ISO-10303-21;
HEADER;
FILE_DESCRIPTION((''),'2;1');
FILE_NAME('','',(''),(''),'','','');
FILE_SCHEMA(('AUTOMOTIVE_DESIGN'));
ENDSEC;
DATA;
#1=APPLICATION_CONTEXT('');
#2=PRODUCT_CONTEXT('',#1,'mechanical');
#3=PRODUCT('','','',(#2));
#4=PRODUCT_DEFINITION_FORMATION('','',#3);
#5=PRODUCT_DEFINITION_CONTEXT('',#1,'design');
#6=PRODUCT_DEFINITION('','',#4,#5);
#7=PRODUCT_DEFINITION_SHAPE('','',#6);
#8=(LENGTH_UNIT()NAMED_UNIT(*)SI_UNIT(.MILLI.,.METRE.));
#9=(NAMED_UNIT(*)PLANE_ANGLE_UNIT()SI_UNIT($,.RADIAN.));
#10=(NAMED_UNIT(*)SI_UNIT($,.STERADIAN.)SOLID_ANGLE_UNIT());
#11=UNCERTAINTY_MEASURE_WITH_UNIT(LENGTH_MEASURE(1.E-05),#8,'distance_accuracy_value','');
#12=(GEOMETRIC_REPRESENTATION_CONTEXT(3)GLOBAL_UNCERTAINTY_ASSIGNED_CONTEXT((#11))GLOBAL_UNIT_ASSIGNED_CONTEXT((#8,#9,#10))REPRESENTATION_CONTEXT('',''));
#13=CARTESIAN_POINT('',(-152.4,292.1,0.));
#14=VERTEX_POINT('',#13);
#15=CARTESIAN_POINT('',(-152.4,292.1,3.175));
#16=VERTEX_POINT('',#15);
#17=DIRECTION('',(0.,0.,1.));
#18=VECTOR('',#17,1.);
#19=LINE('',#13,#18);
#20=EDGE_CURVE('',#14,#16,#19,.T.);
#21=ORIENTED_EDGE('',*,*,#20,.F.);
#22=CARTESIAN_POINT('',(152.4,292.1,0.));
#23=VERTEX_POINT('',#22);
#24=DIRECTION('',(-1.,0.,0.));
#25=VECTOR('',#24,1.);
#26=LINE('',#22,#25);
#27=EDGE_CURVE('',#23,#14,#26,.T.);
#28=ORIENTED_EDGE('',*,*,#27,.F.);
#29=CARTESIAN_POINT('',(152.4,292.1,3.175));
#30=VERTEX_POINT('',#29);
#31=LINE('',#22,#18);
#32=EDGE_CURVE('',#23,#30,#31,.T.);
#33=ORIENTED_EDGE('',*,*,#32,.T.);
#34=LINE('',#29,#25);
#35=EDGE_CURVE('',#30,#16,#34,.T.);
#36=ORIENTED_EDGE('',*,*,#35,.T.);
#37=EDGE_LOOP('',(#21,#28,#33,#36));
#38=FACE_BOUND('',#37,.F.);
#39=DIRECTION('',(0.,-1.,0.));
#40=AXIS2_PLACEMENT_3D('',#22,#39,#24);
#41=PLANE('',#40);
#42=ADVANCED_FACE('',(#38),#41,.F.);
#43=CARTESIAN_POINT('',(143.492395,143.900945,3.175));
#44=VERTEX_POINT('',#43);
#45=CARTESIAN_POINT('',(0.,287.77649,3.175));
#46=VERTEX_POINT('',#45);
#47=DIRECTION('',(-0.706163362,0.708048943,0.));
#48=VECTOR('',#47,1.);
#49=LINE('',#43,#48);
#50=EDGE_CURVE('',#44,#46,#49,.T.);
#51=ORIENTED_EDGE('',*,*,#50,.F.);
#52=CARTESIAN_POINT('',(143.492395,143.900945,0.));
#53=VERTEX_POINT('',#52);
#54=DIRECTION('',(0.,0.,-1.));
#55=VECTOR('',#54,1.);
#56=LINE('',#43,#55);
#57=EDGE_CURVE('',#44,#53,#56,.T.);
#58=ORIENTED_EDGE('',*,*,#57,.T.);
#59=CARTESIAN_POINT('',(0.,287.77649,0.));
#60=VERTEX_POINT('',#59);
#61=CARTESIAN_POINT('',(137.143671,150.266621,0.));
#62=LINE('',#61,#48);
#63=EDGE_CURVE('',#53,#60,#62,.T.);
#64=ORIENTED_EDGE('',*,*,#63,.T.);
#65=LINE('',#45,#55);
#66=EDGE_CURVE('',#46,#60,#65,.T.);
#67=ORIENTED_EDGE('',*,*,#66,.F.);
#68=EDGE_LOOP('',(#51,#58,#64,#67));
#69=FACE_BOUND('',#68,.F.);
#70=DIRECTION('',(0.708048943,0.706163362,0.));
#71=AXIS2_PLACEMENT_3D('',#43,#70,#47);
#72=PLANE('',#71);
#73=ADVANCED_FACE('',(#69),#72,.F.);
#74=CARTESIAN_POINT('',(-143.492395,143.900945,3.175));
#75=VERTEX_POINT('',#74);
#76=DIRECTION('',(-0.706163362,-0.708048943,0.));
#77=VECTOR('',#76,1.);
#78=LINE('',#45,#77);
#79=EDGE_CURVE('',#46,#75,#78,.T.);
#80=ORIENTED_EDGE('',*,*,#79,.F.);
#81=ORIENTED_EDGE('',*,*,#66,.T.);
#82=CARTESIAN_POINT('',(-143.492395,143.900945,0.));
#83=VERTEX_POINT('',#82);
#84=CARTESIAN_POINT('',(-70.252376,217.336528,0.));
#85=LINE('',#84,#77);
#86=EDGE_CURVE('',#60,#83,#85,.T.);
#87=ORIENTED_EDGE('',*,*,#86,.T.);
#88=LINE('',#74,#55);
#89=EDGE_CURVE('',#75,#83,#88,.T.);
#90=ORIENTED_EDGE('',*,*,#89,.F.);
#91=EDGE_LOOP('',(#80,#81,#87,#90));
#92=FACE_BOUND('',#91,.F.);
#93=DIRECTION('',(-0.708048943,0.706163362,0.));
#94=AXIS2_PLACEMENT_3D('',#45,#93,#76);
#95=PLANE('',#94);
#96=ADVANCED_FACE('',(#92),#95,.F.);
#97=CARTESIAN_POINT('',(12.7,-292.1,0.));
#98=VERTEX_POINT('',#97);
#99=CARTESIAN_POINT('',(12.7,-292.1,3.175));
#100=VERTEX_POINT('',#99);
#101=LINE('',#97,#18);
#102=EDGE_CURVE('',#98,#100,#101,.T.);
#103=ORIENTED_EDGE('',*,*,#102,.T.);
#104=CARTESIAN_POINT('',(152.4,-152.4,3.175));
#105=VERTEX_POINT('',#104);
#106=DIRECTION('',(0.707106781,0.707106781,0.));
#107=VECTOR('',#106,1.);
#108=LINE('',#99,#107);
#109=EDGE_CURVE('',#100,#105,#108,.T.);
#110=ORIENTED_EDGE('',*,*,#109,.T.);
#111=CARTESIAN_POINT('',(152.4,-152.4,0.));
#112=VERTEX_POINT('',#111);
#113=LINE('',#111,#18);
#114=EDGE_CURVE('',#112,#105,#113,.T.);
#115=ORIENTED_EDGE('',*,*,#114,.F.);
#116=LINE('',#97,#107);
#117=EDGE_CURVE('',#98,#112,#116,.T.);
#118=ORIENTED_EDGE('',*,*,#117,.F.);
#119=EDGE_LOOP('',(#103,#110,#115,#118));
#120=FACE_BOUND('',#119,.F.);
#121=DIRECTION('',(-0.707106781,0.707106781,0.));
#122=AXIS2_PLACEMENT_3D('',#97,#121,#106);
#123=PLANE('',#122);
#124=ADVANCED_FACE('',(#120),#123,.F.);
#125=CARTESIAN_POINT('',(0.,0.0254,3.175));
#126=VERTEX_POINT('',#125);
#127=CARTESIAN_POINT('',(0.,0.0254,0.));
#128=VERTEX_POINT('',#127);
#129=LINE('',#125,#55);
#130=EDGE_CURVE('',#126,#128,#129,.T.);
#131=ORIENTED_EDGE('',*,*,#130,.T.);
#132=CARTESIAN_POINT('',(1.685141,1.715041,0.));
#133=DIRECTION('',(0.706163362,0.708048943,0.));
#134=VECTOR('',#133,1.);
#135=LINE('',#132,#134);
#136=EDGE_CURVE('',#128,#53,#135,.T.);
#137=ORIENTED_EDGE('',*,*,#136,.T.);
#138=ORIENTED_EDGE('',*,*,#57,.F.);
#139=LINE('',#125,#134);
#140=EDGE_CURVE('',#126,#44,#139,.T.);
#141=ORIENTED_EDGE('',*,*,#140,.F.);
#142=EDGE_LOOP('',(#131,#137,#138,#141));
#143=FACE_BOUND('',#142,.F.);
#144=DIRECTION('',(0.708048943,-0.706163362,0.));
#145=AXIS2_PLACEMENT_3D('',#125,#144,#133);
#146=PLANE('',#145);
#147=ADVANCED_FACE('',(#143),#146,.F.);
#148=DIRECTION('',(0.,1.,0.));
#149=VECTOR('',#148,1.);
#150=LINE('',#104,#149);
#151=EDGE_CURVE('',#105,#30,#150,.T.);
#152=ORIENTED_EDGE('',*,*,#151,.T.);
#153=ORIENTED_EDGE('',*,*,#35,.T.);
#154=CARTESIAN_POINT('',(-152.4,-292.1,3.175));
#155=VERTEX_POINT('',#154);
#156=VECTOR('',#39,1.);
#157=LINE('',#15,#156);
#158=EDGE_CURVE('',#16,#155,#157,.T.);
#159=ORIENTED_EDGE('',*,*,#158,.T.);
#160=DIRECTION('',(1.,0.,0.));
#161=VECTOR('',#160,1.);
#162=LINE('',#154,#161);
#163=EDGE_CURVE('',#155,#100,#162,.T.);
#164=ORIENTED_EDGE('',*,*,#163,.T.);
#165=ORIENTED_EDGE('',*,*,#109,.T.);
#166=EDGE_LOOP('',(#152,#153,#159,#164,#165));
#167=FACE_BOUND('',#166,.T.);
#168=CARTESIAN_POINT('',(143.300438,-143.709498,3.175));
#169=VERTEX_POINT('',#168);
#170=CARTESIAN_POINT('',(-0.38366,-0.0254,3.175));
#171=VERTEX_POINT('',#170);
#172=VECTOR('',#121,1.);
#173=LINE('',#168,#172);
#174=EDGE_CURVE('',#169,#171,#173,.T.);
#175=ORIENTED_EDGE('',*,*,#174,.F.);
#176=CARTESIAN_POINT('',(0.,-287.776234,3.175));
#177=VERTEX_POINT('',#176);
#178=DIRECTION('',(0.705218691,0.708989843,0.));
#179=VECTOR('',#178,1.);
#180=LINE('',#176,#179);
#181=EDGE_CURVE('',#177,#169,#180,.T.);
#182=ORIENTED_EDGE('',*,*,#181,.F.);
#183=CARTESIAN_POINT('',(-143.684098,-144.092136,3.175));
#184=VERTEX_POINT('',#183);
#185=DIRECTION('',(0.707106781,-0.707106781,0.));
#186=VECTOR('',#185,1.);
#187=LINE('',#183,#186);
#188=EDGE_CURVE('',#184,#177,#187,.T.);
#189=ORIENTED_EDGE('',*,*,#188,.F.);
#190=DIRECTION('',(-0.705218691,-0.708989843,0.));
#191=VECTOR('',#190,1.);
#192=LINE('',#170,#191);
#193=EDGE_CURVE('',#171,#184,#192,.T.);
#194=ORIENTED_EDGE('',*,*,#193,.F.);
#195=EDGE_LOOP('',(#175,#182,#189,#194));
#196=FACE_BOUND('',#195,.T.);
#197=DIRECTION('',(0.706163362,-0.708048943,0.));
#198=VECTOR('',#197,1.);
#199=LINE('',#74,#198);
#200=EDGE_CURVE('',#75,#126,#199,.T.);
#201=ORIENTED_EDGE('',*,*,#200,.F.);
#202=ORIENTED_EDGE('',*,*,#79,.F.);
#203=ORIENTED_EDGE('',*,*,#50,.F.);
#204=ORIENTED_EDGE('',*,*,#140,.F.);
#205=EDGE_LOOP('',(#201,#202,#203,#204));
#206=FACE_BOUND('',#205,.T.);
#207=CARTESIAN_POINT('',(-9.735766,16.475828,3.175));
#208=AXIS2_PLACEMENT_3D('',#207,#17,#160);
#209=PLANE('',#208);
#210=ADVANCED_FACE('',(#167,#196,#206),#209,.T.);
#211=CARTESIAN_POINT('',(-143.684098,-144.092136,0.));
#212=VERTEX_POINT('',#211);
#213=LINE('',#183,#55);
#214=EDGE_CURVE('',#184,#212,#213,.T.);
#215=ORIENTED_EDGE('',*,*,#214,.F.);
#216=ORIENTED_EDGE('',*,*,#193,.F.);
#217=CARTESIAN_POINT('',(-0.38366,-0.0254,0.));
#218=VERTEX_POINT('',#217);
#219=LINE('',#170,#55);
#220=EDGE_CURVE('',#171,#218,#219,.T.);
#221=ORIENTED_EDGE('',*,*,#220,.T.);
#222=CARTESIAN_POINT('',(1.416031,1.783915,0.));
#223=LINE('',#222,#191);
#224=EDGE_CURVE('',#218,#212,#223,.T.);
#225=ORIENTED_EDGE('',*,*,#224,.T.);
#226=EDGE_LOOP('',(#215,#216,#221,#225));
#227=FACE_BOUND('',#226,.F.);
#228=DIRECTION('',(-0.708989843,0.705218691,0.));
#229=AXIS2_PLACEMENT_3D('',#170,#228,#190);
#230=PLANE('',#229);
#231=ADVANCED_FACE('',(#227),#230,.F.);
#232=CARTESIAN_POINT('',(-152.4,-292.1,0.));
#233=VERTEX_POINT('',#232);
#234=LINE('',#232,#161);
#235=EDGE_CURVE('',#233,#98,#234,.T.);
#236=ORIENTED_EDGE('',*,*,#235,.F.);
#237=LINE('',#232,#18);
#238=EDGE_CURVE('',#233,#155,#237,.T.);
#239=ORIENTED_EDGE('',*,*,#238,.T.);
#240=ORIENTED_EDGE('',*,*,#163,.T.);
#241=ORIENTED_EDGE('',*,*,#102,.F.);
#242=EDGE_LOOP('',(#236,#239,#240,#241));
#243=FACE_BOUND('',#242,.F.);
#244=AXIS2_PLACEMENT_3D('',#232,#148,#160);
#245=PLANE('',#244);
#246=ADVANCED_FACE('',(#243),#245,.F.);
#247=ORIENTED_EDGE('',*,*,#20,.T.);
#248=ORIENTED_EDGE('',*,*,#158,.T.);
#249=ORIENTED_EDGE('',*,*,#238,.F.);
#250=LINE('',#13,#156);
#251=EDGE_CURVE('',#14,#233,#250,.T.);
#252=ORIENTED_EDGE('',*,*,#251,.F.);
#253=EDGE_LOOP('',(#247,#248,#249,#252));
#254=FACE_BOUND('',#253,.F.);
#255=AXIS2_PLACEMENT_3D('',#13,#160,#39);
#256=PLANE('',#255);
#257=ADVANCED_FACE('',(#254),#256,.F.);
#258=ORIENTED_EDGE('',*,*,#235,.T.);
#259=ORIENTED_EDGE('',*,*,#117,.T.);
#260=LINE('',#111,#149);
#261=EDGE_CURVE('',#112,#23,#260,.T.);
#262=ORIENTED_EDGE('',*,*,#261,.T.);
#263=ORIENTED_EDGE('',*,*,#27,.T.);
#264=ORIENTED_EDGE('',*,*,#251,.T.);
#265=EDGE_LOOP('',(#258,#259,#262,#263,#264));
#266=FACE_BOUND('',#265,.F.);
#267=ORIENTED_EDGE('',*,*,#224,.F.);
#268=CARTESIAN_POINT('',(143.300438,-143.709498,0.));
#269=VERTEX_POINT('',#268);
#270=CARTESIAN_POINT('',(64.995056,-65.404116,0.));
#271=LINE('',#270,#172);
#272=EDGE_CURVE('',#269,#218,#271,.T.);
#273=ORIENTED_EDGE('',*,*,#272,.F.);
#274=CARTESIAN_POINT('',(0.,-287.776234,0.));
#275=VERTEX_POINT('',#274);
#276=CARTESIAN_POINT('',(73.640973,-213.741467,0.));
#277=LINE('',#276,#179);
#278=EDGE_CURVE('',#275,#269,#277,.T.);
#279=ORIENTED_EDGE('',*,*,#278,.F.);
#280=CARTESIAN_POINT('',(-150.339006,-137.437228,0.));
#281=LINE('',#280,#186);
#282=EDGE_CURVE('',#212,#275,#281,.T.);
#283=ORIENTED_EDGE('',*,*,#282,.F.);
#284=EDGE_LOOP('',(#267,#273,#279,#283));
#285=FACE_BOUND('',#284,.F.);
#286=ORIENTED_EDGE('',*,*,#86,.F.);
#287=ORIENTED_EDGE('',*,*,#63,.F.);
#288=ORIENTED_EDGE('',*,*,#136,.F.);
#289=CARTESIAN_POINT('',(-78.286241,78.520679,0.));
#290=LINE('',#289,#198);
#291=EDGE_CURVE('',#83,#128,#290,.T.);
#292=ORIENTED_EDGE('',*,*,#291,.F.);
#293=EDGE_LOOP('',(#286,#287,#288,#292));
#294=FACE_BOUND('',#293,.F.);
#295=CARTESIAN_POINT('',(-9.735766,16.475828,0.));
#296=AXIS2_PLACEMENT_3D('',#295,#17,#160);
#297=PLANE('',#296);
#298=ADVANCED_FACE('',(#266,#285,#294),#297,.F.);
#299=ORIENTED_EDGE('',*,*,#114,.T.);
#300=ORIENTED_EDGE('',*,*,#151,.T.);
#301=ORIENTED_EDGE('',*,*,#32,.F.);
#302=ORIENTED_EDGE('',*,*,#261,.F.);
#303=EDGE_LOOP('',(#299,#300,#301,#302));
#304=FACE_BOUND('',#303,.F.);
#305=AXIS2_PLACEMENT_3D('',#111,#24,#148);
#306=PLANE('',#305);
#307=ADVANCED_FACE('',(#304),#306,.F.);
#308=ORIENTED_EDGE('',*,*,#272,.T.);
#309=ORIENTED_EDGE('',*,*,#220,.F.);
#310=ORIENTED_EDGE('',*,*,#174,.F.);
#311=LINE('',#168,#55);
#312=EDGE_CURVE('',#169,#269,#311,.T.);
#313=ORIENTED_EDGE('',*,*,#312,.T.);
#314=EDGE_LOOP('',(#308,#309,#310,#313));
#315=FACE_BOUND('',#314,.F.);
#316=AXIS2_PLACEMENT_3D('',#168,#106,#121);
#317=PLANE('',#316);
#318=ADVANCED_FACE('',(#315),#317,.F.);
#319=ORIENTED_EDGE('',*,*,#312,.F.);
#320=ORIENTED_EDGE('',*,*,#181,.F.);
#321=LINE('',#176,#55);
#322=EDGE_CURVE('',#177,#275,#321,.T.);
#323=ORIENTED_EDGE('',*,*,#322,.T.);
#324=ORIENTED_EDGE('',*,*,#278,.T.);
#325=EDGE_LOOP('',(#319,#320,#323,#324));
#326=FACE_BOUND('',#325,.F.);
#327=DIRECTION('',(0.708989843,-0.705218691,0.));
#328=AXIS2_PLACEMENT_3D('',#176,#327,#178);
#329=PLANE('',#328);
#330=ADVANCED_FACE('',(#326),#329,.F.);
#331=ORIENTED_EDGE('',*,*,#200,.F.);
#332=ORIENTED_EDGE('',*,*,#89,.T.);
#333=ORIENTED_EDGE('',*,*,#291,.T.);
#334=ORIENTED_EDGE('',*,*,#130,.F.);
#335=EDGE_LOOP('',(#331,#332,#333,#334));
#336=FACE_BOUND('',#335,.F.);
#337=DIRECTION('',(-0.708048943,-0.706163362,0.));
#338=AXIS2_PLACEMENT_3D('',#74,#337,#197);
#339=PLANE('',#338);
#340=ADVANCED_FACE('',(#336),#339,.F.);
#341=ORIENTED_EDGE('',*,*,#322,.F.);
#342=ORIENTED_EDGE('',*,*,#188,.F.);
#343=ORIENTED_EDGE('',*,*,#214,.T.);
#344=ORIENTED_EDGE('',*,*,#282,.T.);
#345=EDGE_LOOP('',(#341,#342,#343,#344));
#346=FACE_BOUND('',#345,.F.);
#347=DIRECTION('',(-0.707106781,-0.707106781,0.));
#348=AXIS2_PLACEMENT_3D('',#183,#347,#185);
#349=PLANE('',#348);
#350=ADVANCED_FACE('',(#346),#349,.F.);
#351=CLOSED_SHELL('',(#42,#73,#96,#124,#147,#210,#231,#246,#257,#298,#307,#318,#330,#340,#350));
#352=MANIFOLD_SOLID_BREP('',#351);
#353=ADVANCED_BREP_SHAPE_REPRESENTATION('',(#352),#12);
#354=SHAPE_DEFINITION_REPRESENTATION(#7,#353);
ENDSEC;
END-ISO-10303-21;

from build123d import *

# Parameters (mm, degrees)
F1_DEPTH = 3.175
F3_DEPTH = 25.4


with BuildPart() as f1:
    # F0 (on Top) → F1 (new body)
    with BuildSketch(Plane.XY):
        Polygon((152.4, -152.4), (152.4, 292.1), (-152.4, 292.1), (-152.4, -292.1), (12.7, -292.1), align=None)
    extrude(amount=F1_DEPTH)

    # F2 (on face) → F3 (cut)
    with BuildSketch(Plane.XY.offset(3.175)):
        Polygon((143.492395, 143.900945), (0, 287.77649), (0, 0.0254), align=None)
        Polygon((143.300438, -143.709498), (0, -0.40906), (0, -287.776234), align=None)
        Polygon((0, -287.776234), (0, -0.40906), (-0.38366, -0.0254), (-143.684098, -144.092136), align=None)
        Polygon((0, 0.0254), (0, 287.77649), (-143.492395, 143.900945), align=None)
    extrude(amount=-F3_DEPTH, mode=Mode.SUBTRACT)


solid = f1.part
